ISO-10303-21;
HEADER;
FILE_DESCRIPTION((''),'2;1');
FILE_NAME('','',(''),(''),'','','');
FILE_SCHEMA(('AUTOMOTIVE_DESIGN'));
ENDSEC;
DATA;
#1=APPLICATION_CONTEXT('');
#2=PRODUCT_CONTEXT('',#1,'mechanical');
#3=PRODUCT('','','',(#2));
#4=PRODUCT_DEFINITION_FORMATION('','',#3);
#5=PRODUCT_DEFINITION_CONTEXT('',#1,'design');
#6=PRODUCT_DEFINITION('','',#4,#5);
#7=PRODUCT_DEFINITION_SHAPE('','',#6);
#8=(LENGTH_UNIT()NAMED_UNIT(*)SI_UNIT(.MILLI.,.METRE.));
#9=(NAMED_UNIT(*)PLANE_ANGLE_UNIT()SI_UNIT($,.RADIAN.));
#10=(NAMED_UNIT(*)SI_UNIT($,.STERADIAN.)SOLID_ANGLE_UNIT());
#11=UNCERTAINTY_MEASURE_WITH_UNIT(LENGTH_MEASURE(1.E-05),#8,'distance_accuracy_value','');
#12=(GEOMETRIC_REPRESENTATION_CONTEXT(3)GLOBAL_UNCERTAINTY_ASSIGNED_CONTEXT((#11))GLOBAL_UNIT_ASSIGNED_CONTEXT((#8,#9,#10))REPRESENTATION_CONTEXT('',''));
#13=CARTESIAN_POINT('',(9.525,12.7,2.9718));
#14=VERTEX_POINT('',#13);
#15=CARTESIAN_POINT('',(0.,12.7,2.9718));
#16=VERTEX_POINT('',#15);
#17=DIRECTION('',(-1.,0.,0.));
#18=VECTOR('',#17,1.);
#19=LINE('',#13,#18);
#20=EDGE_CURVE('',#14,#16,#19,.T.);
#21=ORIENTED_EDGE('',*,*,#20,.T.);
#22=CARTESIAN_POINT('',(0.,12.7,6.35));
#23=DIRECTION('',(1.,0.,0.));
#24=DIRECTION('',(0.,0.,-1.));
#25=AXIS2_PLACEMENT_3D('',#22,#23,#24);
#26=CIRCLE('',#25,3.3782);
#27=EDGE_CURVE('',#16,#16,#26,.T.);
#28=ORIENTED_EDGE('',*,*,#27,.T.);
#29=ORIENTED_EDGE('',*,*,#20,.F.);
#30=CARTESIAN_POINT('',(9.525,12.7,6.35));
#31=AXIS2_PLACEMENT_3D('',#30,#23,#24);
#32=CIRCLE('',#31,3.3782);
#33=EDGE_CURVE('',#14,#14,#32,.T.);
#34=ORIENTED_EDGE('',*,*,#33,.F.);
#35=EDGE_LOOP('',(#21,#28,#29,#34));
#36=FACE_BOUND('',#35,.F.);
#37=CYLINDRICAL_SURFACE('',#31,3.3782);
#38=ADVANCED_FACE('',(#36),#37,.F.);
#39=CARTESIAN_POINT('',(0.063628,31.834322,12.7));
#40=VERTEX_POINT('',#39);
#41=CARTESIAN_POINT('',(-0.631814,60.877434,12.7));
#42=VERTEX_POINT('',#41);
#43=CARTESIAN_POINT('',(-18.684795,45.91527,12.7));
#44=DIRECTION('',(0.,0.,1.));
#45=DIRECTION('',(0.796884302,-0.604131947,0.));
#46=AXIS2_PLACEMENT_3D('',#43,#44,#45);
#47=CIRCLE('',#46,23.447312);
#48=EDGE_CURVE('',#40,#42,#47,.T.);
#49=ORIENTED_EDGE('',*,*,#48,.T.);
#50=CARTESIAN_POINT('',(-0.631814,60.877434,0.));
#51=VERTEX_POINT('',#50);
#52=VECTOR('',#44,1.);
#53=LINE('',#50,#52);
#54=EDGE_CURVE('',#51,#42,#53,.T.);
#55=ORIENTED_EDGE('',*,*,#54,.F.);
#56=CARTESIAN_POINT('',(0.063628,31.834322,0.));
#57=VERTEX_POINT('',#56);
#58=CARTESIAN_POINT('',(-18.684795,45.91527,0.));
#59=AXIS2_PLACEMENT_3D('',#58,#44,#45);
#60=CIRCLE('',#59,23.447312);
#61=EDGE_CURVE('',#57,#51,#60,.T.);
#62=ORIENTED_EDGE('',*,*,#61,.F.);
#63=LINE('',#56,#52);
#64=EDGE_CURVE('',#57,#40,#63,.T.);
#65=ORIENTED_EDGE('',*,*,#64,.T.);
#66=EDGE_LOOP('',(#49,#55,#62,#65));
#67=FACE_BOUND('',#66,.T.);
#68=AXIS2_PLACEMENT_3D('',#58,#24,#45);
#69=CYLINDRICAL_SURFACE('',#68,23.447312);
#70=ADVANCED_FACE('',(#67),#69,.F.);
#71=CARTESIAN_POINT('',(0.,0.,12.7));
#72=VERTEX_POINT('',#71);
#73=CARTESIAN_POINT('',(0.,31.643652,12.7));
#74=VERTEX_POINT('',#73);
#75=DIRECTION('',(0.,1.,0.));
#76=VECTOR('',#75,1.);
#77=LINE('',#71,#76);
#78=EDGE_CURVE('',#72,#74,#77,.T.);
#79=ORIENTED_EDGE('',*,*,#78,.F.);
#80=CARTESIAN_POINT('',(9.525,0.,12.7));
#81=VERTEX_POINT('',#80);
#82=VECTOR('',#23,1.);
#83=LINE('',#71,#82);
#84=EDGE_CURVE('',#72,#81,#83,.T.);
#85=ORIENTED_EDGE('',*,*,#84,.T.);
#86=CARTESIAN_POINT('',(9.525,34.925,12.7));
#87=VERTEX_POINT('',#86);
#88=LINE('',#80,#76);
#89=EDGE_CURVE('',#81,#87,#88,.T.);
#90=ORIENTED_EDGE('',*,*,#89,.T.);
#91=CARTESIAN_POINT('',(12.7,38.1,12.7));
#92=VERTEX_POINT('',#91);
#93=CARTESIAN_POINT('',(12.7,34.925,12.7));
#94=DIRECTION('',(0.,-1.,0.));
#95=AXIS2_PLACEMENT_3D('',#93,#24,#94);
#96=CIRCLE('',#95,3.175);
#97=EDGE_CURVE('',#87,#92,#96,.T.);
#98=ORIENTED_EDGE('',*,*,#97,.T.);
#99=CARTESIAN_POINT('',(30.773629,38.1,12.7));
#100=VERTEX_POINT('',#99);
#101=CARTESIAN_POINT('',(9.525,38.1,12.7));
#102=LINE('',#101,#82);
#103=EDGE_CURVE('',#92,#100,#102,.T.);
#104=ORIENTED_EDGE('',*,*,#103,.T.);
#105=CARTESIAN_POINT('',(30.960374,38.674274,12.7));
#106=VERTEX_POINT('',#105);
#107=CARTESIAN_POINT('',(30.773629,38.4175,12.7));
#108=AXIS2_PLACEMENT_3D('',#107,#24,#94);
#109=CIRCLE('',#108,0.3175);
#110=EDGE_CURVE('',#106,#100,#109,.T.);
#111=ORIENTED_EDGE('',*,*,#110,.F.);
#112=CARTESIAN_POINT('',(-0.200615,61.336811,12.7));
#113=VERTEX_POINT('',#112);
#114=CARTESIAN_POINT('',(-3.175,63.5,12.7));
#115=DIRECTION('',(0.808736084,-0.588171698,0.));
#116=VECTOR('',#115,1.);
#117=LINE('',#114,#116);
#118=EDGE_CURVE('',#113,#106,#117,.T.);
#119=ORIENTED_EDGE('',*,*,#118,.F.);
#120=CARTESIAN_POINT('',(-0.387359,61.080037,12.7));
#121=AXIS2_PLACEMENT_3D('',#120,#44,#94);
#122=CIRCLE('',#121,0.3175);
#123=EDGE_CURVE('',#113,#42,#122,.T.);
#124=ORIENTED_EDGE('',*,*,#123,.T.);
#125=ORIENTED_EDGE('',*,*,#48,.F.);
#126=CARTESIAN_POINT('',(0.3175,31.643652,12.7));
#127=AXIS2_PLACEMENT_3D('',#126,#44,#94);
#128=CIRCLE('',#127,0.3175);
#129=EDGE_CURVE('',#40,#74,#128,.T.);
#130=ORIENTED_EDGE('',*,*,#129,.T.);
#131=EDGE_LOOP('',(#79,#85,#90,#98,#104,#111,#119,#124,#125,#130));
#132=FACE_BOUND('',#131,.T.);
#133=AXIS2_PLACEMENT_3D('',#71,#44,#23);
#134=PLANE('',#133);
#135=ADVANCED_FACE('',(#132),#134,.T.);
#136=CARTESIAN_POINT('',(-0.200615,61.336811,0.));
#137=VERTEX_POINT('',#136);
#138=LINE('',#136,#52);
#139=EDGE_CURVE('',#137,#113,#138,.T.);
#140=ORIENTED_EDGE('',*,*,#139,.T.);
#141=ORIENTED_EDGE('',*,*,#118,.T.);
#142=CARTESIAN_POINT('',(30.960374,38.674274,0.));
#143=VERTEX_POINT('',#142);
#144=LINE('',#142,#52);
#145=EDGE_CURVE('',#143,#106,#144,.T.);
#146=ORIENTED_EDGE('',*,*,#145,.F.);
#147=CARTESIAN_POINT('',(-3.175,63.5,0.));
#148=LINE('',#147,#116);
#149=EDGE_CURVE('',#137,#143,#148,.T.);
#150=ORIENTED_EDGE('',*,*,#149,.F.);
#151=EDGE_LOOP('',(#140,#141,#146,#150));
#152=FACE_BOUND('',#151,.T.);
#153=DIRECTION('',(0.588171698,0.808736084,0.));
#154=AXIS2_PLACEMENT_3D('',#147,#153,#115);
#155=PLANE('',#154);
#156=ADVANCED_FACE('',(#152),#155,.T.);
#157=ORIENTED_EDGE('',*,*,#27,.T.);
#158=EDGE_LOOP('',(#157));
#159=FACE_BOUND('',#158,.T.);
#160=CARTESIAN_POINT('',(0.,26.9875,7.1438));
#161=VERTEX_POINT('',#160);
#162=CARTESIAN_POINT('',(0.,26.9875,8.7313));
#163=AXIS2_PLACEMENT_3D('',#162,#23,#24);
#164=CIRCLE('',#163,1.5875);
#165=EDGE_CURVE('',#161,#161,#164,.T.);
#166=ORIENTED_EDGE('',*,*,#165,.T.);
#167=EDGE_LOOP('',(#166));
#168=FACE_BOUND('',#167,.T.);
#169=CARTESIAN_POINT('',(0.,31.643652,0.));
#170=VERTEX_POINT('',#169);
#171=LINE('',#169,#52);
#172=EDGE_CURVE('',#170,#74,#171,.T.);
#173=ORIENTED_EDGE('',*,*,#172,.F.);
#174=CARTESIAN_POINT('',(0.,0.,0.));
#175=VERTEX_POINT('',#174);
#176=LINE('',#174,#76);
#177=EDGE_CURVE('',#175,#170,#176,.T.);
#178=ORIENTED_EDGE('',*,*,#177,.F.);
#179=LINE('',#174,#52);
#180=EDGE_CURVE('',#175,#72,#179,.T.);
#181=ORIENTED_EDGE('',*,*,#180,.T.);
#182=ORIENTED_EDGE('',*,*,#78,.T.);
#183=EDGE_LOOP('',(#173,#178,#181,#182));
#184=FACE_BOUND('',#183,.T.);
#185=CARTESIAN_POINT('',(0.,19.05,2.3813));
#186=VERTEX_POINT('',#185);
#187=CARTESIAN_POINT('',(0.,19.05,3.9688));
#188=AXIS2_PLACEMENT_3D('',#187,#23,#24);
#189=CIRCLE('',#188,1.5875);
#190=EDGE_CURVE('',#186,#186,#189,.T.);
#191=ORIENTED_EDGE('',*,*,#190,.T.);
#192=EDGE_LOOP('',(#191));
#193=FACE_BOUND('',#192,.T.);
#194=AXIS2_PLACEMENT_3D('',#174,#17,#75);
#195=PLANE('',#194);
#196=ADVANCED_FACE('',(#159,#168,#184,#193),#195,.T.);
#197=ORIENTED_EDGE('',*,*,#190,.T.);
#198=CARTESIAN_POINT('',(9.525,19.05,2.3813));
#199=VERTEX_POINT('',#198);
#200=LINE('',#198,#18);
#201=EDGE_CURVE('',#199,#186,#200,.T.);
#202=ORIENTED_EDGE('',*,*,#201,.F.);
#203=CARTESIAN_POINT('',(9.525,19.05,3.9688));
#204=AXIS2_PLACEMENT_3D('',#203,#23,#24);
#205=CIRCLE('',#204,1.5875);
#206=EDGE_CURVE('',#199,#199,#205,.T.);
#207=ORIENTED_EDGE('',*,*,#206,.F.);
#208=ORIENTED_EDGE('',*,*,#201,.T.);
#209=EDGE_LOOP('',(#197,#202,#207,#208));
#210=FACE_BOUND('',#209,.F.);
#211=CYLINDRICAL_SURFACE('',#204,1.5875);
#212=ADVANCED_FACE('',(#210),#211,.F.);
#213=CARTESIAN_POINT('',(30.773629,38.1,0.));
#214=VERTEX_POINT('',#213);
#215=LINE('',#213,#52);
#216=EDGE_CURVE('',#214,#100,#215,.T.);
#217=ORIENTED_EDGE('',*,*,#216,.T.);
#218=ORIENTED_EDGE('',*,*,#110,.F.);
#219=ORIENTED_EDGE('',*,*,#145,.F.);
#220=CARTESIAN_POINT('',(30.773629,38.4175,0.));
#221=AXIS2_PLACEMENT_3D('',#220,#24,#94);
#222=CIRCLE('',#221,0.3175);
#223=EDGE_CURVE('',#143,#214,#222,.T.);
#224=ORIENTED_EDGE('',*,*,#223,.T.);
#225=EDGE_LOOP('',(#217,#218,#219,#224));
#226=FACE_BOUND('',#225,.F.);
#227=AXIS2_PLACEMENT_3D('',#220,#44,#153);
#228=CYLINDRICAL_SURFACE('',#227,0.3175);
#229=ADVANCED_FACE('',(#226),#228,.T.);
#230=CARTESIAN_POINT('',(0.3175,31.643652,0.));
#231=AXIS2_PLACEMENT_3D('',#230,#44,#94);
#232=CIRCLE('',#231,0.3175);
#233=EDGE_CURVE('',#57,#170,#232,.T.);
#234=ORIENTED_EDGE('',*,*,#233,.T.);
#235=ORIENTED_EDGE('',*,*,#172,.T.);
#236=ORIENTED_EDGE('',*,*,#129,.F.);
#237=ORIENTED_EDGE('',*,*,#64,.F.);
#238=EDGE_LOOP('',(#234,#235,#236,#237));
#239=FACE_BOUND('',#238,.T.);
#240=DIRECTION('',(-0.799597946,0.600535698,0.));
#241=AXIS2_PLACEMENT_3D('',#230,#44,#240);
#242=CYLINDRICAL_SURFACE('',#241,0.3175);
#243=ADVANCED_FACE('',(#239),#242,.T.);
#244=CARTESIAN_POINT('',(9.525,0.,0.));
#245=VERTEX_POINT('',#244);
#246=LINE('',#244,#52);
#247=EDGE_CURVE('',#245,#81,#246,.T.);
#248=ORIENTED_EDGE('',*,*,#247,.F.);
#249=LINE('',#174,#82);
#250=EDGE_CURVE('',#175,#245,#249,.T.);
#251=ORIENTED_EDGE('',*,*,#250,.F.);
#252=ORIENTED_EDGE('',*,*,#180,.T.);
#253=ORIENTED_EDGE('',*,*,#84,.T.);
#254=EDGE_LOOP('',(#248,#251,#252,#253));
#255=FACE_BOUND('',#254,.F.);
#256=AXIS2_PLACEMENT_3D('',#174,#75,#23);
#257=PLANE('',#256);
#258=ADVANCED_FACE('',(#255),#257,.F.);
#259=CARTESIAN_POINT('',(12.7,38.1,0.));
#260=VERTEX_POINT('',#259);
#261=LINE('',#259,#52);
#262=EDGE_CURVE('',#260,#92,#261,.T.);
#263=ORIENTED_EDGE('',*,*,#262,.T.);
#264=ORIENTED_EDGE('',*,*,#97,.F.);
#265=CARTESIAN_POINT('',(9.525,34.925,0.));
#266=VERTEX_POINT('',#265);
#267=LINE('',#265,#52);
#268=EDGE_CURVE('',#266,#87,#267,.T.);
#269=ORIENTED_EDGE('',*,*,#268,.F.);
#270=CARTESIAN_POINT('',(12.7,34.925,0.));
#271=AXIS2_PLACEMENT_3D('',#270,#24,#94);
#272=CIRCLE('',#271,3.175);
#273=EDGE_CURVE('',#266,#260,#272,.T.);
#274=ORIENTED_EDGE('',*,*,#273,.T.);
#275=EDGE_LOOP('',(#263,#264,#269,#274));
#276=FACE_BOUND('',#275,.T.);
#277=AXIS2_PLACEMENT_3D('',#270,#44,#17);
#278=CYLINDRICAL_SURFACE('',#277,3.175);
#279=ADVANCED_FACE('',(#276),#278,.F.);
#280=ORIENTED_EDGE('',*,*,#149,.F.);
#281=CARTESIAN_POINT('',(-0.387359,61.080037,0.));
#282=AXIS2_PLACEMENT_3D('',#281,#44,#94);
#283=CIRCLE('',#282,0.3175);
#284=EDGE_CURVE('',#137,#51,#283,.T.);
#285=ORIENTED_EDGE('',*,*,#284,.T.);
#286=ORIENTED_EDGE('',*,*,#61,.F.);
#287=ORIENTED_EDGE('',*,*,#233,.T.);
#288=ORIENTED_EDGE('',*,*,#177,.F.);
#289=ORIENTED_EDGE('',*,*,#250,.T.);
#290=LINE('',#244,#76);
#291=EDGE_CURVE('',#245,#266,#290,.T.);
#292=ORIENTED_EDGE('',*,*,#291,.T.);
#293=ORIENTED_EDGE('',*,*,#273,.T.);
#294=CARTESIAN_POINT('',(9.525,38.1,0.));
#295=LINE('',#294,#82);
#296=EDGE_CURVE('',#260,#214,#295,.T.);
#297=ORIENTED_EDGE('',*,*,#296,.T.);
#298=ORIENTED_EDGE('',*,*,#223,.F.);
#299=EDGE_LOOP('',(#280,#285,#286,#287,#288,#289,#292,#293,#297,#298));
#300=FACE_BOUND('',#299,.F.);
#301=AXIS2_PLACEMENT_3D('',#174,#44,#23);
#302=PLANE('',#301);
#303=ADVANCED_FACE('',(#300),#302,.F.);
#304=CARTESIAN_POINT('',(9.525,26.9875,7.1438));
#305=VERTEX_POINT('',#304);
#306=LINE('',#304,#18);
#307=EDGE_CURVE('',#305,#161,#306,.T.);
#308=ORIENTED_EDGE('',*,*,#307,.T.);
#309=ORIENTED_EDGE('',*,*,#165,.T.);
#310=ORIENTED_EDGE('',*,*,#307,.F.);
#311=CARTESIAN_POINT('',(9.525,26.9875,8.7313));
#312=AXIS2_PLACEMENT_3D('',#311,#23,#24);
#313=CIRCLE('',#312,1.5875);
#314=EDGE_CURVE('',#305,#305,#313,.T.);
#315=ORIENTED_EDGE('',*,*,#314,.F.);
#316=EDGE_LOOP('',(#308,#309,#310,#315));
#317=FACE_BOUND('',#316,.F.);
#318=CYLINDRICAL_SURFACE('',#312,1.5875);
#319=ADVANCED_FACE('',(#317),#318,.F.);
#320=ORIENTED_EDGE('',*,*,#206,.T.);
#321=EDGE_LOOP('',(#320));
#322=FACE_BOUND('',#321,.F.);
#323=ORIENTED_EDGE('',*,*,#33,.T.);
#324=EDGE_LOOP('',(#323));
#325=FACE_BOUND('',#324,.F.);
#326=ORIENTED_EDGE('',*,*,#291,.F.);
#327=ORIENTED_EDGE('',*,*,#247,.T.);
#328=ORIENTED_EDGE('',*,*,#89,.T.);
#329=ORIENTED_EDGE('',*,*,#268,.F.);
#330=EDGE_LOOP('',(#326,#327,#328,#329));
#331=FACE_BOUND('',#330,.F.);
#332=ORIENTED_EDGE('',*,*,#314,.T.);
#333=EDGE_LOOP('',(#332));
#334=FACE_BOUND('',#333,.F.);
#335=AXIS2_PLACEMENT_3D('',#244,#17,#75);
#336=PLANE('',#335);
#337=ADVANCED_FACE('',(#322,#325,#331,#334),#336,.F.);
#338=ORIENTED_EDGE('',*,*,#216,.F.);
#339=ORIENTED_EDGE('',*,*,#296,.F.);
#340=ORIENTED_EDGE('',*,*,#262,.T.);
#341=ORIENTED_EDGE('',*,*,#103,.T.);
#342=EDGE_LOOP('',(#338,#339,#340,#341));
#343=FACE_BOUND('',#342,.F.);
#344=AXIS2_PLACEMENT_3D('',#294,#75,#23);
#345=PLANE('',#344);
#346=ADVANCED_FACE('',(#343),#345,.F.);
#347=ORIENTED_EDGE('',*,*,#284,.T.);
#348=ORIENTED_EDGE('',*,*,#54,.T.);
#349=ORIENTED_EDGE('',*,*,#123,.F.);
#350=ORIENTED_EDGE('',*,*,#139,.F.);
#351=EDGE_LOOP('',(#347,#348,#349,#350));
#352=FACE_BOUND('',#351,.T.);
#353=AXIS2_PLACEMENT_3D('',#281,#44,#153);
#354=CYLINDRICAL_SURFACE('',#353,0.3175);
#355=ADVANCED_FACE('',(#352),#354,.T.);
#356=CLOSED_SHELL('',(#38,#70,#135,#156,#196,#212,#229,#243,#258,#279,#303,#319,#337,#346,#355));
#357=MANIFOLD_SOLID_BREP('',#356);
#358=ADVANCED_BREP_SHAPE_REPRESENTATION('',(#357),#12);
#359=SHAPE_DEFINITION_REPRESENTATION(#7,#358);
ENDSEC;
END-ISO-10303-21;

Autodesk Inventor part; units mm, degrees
ref_plane "YZ Plane" through (0, 0, 0) normal (1, 0, 0) x (0, 1, 0)
ref_plane "XZ Plane" through (0, 0, 0) normal (0, 1, 0) x (-1, 0, 0)
ref_plane "XY Plane" through (0, 0, 0) normal (0, 0, 1) x (1, 0, 0)
sketch "Sketch1" plane through (0, 0, 0) normal (0, 0, 1) x (1, 0, 0)
  line L0 (0, 0) -> (9.525, 0)
  line L1 (9.525, 0) -> (9.525, 38.1)
  line L2 (9.525, 38.1) -> (31.75, 38.1)
  line L3 (0, 0) -> (0, 63.5) construction
  line L4 (0, 63.5) -> (-3.175, 63.5) construction
  line L5 (-3.175, 63.5) -> (31.75, 38.1)
  line L6 (0, 0) -> (0, 31.75)
  line L7 (4.7625, 0) -> (4.7625, 100.076) construction
  arc A0 (0, 31.75) -> (-3.175, 63.5) centre (-18.6849, 45.9153) ccw
  dimension "d0" = 9.525
  dimension "d1" = 38.1
  dimension "d2" = 22.225
  dimension "d3" = 63.5
  dimension "d4" = 3.175
  dimension "d5" = 4.7625
extrude "Extrusion1" add sketch "Sketch1" along normal blind 12.7
sketch "Sketch2" plane through (9.525, 0, 0) normal (1, 0, 0) x (0, 0, -1)
  line L0 (0, 0) -> (0, 38.1) projected
  line L1 (0, 0) -> (-12.7, 0) projected
  circle A0 centre (-6.35, 12.7) radius 3.3782
  circle A1 centre (-3.9688, 19.05) radius 1.5875
  circle A2 centre (-8.7313, 26.9875) radius 1.5875
  dimension "d8" = 6.7564
  dimension "d10" = 6.35
  dimension "d11" = 12.7
  dimension "d12" = 3.175
  dimension "d13" = 3.175
  dimension "d14" = 7.9375
  dimension "d15" = 4.7625
  dimension "d16" = 3.9688
  dimension "d17" = 19.05
extrude "Extrusion2" cut sketch "Sketch2" against normal blind 12.7
fillet "Fillet1" radius 3.175 1 edges at (9.525, 38.1, 6.35)
fillet "Fillet2" radius 0.3175 1 edges at (-3.175, 63.5, 6.35)
fillet "Fillet3" radius 0.3175 1 edges at (0, 31.75, 6.35)
fillet "Fillet4" radius 0.3175 1 edges at (31.75, 38.1, 6.35)
properties part number "Puller Hook" material "Polycarbonate, Clear"
